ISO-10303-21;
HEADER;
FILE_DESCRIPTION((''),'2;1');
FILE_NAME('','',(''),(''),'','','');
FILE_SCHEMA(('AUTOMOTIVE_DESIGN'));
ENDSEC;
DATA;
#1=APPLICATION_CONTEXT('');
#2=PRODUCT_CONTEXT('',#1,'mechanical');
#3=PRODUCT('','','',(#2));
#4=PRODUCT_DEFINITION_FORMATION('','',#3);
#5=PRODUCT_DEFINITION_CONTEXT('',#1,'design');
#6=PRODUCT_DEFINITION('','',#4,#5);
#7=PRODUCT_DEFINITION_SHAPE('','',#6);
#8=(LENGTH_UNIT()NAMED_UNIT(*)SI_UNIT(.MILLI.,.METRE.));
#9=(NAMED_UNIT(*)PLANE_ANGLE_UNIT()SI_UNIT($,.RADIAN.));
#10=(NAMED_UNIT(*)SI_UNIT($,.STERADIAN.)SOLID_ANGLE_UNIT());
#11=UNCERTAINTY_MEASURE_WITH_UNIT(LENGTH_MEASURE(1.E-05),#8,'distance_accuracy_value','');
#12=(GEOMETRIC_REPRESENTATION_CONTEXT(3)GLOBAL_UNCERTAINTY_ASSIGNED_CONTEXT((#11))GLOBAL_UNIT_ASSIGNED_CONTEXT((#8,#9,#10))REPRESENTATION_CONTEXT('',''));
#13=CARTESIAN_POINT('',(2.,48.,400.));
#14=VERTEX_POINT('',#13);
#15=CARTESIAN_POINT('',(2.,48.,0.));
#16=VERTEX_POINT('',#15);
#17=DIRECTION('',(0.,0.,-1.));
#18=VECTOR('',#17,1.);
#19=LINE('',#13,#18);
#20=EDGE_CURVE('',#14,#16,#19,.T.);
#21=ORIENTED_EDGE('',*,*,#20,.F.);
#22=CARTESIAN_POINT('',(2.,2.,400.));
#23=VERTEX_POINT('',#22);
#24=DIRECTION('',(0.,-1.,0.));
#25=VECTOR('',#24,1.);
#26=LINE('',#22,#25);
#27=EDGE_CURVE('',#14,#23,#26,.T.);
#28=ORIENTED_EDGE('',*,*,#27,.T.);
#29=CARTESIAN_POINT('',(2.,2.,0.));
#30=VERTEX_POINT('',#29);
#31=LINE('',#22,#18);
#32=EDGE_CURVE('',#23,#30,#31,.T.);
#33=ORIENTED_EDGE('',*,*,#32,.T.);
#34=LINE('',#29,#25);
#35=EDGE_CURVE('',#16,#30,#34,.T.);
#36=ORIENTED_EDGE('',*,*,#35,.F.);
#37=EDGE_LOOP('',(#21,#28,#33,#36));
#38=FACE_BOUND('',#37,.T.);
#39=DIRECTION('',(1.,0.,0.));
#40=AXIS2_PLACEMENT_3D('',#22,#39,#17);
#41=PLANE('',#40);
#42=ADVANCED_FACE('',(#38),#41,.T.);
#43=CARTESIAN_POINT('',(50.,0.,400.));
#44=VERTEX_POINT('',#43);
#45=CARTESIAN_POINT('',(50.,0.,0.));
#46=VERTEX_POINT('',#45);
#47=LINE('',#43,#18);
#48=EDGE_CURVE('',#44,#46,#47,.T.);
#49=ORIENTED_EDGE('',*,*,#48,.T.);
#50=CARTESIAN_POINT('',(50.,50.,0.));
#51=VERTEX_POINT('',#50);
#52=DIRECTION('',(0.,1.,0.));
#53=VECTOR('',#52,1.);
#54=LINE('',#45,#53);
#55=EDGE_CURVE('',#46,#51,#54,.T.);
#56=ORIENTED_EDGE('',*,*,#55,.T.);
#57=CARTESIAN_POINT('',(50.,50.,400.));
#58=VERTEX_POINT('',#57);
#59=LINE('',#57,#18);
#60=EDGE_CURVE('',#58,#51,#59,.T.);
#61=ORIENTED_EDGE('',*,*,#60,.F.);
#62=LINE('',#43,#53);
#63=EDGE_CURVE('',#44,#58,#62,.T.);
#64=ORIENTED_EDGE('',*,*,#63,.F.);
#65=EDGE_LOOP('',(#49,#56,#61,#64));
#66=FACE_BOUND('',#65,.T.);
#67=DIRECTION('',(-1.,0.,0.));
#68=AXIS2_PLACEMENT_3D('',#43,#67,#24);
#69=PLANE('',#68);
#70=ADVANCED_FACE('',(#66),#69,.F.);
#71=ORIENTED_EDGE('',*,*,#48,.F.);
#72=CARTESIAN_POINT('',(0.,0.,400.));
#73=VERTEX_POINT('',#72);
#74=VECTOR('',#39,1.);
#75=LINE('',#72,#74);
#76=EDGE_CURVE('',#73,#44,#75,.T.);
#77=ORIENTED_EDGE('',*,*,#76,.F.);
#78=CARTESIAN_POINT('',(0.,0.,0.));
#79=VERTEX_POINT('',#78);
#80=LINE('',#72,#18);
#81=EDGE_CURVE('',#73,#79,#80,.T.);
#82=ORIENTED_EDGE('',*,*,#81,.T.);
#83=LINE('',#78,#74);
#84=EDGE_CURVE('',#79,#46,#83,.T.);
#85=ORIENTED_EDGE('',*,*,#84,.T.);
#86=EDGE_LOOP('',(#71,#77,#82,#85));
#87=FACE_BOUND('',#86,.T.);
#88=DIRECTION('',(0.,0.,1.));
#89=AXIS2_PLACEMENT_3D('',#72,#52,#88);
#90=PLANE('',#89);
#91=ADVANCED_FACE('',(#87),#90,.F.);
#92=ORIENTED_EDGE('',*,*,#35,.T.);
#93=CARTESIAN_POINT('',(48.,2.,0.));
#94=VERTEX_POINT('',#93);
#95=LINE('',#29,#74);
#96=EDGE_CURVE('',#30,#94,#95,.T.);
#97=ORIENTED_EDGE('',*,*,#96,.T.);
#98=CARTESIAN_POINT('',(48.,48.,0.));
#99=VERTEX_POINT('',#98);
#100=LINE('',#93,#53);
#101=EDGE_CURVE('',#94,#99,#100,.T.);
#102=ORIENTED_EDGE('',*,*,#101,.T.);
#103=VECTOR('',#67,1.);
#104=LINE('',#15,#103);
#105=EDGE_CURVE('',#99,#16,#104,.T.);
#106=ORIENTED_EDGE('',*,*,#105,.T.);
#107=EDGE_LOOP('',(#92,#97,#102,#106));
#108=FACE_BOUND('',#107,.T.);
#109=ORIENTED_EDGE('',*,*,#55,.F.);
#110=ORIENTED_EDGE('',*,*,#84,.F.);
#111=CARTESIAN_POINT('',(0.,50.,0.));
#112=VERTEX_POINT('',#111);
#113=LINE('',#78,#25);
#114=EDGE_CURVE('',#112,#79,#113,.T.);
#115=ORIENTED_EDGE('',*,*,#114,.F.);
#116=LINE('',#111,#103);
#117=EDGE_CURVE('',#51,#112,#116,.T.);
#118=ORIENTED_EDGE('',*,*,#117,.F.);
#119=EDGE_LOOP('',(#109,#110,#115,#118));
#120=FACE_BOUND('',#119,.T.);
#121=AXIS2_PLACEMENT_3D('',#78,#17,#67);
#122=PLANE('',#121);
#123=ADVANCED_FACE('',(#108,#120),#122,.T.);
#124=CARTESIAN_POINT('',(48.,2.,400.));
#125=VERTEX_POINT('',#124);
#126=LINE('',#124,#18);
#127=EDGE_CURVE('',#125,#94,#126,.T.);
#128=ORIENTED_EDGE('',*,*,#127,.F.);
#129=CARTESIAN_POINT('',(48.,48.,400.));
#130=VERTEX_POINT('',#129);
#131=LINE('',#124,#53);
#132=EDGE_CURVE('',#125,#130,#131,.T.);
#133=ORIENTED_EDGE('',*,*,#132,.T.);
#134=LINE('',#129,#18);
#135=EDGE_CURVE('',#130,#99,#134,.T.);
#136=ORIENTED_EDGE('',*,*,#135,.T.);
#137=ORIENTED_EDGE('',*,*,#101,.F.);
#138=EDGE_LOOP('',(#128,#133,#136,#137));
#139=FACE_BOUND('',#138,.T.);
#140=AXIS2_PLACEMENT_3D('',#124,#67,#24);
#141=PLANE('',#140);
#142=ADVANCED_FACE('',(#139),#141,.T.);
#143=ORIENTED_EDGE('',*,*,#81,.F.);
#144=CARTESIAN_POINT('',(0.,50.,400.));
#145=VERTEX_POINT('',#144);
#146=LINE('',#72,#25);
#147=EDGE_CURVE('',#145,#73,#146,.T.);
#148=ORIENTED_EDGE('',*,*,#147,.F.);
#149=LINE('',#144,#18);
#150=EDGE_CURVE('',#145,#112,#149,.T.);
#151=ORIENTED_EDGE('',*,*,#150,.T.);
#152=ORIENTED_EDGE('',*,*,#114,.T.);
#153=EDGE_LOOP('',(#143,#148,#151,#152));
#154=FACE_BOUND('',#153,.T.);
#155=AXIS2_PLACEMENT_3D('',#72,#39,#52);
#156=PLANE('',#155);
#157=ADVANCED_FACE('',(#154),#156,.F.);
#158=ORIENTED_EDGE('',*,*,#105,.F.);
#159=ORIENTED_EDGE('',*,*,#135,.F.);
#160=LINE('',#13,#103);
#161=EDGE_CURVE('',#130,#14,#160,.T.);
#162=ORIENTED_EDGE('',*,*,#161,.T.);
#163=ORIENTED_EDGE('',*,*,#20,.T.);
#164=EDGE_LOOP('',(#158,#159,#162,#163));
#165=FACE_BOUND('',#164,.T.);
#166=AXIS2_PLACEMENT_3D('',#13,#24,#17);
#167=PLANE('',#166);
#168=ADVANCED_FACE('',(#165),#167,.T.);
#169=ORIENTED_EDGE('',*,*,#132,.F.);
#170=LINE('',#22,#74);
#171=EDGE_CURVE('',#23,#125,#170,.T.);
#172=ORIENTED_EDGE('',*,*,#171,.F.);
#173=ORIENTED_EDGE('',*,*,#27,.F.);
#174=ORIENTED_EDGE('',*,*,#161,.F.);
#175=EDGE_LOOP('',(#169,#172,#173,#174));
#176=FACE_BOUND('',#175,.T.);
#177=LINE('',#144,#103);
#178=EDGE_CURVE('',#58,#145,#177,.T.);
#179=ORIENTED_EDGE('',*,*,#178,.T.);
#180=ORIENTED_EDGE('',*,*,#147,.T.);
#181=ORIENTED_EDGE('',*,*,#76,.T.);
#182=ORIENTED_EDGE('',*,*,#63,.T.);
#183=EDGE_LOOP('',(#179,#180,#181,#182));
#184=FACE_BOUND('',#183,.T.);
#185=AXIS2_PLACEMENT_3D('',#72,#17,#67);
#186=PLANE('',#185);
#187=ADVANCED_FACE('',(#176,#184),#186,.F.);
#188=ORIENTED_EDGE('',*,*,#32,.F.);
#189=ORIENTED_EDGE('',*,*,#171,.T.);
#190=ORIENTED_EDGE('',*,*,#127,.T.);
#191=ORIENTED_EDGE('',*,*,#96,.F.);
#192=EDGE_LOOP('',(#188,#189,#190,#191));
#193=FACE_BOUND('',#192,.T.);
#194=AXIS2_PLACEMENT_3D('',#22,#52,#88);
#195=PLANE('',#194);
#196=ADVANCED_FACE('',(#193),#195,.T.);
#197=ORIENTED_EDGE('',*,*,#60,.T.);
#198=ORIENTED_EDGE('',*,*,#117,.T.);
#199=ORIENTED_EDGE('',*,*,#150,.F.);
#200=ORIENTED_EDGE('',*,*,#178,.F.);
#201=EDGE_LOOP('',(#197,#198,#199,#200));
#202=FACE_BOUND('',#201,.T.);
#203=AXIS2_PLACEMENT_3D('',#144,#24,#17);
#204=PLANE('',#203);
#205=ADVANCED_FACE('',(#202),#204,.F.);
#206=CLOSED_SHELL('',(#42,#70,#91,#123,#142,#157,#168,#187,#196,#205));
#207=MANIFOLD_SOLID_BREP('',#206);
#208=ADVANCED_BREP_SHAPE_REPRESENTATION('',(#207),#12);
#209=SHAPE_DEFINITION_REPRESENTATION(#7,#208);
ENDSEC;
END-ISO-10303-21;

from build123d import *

# Parameters (mm, degrees)
ESBO_O1_W                = 50
ESBO_O1_H                = 50
ESBO_O1_W_2              = 46
ESBO_O1_H_2              = 46
RESSALTO_EXTRUS_O1_DEPTH = 400


with BuildPart() as part:
    # Esboço1 → Ressalto-extrusão1 (new body)
    with BuildSketch(Plane.XY):
        with Locations((25, 25)):
            Rectangle(ESBO_O1_W, ESBO_O1_H)
        with Locations((25, 25)):
            Rectangle(ESBO_O1_W_2, ESBO_O1_H_2, mode=Mode.SUBTRACT)
    extrude(amount=RESSALTO_EXTRUS_O1_DEPTH)


solid = part.part
